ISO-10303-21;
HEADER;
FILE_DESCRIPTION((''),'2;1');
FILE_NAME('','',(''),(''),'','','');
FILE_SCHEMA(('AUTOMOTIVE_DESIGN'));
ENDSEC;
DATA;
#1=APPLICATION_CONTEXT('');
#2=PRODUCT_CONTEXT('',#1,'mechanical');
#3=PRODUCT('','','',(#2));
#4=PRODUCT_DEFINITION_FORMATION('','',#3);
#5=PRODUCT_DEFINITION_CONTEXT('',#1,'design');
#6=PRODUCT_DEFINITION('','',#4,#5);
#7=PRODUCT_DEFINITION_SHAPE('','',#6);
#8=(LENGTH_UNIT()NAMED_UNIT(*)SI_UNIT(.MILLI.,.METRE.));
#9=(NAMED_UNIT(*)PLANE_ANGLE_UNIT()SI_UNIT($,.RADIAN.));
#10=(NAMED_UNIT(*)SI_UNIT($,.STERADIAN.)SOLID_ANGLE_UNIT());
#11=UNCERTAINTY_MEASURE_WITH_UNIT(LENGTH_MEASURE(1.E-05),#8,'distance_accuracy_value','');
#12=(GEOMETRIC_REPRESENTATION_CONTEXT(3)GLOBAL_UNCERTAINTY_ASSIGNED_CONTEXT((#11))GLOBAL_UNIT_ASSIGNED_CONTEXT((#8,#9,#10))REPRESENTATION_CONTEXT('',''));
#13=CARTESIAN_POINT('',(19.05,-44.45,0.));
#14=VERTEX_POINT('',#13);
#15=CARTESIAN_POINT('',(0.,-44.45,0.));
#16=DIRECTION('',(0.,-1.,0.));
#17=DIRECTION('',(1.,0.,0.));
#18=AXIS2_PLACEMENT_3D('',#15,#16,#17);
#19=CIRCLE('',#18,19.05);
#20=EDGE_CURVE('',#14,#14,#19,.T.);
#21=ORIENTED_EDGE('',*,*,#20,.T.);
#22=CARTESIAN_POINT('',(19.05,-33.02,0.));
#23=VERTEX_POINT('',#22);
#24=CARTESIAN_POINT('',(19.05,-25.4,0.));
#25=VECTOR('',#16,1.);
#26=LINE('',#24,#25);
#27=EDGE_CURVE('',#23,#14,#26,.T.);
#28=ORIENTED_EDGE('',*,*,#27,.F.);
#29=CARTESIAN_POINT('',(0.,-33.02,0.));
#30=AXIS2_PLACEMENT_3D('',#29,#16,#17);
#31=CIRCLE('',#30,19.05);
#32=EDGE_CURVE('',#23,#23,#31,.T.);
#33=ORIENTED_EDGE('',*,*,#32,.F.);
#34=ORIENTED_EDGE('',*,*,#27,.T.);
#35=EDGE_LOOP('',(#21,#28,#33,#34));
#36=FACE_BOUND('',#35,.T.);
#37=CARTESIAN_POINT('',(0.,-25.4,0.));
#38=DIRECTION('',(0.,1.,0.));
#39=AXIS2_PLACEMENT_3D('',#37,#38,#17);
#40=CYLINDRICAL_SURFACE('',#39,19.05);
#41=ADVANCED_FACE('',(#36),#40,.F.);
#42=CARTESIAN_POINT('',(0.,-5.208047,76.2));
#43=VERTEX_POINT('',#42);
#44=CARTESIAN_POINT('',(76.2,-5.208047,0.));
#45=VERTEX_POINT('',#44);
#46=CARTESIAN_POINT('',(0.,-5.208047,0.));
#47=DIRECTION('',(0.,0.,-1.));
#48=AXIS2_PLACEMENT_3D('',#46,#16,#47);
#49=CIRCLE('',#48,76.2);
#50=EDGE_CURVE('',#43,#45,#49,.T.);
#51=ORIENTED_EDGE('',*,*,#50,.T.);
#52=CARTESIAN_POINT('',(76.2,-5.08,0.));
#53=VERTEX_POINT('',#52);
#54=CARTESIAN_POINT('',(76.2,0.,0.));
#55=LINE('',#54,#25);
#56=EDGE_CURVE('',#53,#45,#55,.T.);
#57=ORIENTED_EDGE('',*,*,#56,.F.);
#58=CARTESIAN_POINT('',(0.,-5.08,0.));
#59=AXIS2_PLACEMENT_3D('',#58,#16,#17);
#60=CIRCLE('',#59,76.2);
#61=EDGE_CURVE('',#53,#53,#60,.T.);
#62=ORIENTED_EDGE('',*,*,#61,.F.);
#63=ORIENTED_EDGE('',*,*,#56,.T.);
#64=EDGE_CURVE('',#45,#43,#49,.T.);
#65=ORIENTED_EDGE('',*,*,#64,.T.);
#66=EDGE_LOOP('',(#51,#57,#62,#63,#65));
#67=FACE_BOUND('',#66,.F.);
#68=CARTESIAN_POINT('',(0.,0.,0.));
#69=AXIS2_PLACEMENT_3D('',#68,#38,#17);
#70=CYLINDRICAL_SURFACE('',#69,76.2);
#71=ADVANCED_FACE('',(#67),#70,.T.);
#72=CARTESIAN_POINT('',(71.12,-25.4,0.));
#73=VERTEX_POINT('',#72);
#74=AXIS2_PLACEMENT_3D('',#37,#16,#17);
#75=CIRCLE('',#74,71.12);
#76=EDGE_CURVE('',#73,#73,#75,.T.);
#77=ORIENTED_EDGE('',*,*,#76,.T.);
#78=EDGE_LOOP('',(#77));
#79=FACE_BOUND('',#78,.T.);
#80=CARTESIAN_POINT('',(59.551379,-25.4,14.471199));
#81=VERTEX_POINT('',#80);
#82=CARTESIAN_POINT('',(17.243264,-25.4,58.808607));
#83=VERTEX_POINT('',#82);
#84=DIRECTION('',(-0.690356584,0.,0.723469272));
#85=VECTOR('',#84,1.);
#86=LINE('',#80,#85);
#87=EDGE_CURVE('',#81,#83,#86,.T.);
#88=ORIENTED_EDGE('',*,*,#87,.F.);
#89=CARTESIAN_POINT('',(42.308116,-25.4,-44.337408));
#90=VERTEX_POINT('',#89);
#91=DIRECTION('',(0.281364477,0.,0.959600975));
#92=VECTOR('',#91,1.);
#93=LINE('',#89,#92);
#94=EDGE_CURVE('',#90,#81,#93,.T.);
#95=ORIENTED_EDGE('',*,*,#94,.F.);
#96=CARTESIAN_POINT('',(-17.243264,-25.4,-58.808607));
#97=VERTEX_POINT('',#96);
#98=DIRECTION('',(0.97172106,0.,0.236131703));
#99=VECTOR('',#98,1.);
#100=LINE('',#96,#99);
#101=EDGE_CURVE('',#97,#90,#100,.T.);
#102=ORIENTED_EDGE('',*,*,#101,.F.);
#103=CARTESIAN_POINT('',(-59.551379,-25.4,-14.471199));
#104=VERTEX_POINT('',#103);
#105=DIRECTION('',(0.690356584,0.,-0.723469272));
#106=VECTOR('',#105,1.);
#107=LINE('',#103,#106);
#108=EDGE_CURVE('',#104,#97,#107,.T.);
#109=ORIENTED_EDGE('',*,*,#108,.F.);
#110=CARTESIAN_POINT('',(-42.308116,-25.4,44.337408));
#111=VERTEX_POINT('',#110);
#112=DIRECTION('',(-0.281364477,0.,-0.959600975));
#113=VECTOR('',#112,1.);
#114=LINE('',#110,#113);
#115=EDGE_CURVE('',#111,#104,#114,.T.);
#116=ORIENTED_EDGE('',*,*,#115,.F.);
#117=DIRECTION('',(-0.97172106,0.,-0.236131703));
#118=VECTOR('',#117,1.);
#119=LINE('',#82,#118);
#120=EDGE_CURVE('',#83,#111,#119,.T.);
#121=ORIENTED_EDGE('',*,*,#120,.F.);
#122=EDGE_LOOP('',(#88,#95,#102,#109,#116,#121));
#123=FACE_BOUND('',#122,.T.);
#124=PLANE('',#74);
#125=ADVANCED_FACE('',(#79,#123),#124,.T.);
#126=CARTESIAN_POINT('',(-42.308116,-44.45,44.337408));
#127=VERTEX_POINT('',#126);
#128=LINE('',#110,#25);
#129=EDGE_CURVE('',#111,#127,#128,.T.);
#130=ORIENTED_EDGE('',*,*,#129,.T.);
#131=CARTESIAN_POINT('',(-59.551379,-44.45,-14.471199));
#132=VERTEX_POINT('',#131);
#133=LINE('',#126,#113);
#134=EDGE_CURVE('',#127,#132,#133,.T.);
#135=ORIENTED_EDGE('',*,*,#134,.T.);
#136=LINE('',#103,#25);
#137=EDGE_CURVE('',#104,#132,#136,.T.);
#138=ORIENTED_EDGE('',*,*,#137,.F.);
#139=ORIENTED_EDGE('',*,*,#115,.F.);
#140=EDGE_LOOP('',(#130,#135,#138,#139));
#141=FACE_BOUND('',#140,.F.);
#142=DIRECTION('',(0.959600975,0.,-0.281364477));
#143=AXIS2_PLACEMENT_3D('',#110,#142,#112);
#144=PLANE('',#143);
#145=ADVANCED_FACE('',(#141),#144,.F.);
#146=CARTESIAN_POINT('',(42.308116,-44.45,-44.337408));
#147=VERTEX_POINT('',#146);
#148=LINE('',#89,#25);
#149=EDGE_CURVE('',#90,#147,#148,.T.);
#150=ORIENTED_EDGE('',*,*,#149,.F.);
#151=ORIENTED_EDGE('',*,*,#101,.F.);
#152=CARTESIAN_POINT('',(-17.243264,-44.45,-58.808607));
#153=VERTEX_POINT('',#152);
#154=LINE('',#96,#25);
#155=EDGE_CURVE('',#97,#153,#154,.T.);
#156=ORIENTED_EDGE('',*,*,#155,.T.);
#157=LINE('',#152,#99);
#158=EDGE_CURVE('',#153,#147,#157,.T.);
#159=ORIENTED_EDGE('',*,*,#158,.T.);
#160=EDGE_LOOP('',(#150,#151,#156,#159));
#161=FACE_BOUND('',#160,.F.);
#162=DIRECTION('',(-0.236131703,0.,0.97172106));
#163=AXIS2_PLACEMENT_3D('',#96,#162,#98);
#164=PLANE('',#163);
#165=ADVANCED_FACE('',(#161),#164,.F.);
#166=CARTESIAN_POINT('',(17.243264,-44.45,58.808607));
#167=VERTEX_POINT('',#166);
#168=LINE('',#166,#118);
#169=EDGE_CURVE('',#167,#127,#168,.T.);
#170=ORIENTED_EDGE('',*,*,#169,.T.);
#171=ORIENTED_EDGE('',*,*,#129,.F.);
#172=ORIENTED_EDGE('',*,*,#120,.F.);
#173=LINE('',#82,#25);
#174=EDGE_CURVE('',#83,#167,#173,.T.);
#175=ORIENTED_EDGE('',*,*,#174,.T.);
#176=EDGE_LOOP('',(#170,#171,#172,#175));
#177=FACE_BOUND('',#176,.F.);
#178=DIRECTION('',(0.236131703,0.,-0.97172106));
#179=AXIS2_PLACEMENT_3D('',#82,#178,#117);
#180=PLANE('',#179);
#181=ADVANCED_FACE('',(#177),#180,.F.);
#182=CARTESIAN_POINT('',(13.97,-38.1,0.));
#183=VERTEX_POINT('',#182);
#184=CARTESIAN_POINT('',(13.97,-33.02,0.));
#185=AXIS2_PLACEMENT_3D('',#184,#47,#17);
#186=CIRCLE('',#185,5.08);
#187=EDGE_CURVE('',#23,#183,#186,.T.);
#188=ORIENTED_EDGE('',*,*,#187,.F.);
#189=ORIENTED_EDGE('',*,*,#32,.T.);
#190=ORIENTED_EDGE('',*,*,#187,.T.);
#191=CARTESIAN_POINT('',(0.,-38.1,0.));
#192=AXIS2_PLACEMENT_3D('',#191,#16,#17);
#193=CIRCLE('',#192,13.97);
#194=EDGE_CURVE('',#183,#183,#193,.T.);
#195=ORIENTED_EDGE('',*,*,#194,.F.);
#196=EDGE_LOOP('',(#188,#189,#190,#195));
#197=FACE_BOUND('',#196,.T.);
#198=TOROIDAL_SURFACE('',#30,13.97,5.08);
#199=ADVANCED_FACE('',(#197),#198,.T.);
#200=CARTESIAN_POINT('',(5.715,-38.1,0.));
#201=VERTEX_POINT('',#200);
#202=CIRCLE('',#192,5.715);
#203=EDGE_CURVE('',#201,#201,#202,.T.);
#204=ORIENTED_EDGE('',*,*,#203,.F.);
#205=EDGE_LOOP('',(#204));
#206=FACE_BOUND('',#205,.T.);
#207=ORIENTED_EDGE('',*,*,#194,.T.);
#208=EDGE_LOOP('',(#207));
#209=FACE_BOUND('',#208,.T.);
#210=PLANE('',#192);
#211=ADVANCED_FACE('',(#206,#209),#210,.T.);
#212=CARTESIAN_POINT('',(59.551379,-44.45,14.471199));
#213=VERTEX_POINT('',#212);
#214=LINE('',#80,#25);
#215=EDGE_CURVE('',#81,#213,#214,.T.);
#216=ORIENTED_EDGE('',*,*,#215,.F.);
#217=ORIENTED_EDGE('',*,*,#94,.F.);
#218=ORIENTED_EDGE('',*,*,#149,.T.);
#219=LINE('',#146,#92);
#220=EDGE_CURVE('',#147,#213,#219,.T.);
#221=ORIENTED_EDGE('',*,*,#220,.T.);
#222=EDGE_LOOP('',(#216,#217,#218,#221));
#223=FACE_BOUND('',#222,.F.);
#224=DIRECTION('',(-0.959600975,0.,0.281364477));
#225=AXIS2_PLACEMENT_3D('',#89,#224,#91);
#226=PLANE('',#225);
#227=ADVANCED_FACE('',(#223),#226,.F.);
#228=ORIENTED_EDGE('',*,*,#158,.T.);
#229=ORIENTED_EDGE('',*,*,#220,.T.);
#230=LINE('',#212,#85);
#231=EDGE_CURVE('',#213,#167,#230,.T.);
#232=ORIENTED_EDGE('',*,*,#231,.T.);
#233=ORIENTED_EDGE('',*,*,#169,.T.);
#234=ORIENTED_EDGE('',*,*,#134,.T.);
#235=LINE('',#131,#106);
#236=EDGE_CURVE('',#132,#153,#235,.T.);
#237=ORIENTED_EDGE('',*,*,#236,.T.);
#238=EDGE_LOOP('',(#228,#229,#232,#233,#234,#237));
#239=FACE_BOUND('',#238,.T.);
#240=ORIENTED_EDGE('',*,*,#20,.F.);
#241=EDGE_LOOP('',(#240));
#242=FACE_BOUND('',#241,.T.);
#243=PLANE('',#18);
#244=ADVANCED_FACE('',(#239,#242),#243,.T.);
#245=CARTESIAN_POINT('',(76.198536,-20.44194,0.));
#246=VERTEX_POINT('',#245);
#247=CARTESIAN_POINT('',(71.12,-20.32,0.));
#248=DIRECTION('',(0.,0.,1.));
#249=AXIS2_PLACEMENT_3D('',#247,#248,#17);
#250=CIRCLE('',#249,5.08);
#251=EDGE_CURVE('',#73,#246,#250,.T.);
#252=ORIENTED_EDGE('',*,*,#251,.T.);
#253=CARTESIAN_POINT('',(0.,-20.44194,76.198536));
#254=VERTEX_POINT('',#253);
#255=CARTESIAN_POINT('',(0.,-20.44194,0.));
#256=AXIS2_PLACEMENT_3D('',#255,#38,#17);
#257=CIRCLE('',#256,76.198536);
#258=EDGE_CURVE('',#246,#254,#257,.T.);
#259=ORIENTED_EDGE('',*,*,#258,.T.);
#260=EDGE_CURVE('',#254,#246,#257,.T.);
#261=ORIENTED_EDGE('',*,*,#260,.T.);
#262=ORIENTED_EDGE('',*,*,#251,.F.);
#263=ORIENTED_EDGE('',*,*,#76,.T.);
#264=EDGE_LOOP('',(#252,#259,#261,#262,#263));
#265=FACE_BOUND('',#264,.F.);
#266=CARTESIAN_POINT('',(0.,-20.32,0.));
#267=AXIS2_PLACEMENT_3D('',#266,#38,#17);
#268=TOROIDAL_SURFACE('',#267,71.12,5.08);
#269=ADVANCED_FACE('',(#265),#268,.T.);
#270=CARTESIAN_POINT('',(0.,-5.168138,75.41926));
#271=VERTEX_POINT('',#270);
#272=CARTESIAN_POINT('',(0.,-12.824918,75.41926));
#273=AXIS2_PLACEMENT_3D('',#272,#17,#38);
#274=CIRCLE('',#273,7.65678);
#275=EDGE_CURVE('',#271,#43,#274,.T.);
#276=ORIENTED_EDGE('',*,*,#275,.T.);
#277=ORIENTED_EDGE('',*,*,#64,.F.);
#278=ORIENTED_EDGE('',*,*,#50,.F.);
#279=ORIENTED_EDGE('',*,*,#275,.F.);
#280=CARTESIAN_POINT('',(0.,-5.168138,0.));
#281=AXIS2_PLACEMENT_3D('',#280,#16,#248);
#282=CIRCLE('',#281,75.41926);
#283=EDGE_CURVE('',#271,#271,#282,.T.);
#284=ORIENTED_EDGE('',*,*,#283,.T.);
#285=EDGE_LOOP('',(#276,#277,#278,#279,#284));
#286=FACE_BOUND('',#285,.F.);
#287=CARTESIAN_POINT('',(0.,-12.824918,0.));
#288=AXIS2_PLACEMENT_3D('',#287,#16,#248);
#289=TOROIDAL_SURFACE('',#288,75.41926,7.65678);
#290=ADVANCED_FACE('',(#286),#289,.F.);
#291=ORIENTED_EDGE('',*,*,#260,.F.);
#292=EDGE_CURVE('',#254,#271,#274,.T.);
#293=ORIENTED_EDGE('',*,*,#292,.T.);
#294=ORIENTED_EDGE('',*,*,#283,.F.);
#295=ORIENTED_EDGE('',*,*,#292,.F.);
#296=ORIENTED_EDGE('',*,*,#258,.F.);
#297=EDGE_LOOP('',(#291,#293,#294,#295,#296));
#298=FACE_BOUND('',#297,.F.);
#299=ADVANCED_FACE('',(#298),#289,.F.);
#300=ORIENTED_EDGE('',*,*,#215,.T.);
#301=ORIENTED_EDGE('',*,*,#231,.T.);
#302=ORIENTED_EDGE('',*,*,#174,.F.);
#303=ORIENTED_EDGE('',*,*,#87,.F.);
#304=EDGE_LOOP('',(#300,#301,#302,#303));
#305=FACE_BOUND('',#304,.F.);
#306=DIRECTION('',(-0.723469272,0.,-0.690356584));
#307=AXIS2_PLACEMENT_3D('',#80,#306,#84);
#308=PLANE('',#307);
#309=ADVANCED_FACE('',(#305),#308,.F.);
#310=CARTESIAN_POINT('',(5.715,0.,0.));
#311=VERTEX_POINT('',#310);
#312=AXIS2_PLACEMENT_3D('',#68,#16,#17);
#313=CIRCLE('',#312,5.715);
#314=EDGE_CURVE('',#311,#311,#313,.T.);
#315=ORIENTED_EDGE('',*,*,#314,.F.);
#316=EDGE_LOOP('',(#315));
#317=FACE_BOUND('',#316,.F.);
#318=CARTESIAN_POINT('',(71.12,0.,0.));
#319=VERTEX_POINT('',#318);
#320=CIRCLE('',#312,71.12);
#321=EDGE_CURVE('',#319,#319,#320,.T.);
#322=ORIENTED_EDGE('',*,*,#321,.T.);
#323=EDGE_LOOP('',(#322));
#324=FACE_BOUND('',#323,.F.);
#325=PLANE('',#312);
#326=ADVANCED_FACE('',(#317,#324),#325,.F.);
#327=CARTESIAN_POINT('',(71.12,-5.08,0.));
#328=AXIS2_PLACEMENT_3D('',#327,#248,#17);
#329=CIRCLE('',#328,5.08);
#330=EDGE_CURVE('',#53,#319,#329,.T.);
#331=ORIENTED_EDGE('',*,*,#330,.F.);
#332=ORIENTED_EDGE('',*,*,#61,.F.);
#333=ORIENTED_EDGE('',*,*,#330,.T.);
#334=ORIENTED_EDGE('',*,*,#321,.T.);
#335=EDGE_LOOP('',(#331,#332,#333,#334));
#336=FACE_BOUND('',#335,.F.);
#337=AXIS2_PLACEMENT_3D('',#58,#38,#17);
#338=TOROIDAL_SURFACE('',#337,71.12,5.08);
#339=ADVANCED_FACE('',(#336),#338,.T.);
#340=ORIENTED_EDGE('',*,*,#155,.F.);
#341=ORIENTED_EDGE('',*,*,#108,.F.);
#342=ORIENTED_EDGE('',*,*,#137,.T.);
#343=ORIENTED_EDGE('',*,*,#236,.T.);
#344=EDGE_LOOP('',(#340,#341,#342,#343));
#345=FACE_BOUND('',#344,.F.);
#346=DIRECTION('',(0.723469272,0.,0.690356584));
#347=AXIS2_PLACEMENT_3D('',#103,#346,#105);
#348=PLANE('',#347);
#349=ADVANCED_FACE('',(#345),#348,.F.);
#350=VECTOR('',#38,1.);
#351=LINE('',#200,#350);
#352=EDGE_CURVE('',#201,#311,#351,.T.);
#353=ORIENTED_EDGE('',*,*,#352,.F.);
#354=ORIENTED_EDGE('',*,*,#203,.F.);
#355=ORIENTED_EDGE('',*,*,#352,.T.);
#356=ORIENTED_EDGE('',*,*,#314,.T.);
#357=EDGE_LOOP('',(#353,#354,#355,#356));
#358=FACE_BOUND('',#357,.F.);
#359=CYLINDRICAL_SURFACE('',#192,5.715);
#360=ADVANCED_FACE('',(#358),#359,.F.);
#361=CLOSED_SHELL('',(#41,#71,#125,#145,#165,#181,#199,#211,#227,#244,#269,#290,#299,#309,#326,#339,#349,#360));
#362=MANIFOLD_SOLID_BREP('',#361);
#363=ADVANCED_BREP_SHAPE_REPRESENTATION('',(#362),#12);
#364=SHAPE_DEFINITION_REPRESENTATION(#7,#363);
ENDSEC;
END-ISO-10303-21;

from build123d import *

# Parameters (mm, degrees)
F0_R      = 76.2
F1_DEPTH  = 25.4
F2_R      = 19.05
F3_DEPTH  = 12.7
F4_R      = 5.08
F5_R      = 5.08
F6_R      = 5.715
F7_DEPTH  = 129.032
F8_R      = 7.6567802861
F10_R     = 19.05
F11_DEPTH = 19.05


with BuildPart() as f1:
    # F0 (on Front) → F1 (new body)
    with BuildSketch(Plane.XZ):
        Circle(F0_R)
    extrude(amount=F1_DEPTH)

    # F2 (on face) → F3 (join)
    with BuildSketch(Plane.XZ.offset(25.4)):
        Circle(F2_R)
    extrude(amount=F3_DEPTH)

    # F4
    f4_edges = [f1.edges().sort_by_distance(p)[0] for p in [
        (-19.05, -38.1, 0),
    ]]
    fillet(f4_edges, radius=F4_R)

    # F5
    f5_edges = [f1.edges().sort_by_distance(p)[0] for p in [
        (76.2, -12.7, 0),
        (-76.2, 0, 0),
        (-76.2, -25.4, 0),
    ]]
    fillet(f5_edges, radius=F5_R)

    # F6 (on face) → F7 (cut)
    with BuildSketch(Plane.XZ.offset(38.1)):
        Circle(F6_R)
    extrude(amount=-F7_DEPTH, mode=Mode.SUBTRACT)

    # F8 (on Right) → F9 (revolve, cut)
    with BuildSketch(Plane.YZ):
        with Locations((-12.8249183763, 75.4192602588)):
            Circle(F8_R)
    revolve(axis=Axis((0, -25.4, 0), (0, -1, 0)), mode=Mode.SUBTRACT)

    # F10 (on face) → F11 (join)
    with BuildSketch(Plane.XZ.offset(25.4)):
        Polygon((42.3081155457, -44.3374080683), (59.551379498, 14.4711988147), (17.2432639523, 58.808606883), (-42.3081155457, 44.3374080683), (-59.551379498, -14.4711988147), (-17.2432639523, -58.808606883), align=None)
        Circle(F10_R, mode=Mode.SUBTRACT)
    extrude(amount=F11_DEPTH)


solid = f1.part
